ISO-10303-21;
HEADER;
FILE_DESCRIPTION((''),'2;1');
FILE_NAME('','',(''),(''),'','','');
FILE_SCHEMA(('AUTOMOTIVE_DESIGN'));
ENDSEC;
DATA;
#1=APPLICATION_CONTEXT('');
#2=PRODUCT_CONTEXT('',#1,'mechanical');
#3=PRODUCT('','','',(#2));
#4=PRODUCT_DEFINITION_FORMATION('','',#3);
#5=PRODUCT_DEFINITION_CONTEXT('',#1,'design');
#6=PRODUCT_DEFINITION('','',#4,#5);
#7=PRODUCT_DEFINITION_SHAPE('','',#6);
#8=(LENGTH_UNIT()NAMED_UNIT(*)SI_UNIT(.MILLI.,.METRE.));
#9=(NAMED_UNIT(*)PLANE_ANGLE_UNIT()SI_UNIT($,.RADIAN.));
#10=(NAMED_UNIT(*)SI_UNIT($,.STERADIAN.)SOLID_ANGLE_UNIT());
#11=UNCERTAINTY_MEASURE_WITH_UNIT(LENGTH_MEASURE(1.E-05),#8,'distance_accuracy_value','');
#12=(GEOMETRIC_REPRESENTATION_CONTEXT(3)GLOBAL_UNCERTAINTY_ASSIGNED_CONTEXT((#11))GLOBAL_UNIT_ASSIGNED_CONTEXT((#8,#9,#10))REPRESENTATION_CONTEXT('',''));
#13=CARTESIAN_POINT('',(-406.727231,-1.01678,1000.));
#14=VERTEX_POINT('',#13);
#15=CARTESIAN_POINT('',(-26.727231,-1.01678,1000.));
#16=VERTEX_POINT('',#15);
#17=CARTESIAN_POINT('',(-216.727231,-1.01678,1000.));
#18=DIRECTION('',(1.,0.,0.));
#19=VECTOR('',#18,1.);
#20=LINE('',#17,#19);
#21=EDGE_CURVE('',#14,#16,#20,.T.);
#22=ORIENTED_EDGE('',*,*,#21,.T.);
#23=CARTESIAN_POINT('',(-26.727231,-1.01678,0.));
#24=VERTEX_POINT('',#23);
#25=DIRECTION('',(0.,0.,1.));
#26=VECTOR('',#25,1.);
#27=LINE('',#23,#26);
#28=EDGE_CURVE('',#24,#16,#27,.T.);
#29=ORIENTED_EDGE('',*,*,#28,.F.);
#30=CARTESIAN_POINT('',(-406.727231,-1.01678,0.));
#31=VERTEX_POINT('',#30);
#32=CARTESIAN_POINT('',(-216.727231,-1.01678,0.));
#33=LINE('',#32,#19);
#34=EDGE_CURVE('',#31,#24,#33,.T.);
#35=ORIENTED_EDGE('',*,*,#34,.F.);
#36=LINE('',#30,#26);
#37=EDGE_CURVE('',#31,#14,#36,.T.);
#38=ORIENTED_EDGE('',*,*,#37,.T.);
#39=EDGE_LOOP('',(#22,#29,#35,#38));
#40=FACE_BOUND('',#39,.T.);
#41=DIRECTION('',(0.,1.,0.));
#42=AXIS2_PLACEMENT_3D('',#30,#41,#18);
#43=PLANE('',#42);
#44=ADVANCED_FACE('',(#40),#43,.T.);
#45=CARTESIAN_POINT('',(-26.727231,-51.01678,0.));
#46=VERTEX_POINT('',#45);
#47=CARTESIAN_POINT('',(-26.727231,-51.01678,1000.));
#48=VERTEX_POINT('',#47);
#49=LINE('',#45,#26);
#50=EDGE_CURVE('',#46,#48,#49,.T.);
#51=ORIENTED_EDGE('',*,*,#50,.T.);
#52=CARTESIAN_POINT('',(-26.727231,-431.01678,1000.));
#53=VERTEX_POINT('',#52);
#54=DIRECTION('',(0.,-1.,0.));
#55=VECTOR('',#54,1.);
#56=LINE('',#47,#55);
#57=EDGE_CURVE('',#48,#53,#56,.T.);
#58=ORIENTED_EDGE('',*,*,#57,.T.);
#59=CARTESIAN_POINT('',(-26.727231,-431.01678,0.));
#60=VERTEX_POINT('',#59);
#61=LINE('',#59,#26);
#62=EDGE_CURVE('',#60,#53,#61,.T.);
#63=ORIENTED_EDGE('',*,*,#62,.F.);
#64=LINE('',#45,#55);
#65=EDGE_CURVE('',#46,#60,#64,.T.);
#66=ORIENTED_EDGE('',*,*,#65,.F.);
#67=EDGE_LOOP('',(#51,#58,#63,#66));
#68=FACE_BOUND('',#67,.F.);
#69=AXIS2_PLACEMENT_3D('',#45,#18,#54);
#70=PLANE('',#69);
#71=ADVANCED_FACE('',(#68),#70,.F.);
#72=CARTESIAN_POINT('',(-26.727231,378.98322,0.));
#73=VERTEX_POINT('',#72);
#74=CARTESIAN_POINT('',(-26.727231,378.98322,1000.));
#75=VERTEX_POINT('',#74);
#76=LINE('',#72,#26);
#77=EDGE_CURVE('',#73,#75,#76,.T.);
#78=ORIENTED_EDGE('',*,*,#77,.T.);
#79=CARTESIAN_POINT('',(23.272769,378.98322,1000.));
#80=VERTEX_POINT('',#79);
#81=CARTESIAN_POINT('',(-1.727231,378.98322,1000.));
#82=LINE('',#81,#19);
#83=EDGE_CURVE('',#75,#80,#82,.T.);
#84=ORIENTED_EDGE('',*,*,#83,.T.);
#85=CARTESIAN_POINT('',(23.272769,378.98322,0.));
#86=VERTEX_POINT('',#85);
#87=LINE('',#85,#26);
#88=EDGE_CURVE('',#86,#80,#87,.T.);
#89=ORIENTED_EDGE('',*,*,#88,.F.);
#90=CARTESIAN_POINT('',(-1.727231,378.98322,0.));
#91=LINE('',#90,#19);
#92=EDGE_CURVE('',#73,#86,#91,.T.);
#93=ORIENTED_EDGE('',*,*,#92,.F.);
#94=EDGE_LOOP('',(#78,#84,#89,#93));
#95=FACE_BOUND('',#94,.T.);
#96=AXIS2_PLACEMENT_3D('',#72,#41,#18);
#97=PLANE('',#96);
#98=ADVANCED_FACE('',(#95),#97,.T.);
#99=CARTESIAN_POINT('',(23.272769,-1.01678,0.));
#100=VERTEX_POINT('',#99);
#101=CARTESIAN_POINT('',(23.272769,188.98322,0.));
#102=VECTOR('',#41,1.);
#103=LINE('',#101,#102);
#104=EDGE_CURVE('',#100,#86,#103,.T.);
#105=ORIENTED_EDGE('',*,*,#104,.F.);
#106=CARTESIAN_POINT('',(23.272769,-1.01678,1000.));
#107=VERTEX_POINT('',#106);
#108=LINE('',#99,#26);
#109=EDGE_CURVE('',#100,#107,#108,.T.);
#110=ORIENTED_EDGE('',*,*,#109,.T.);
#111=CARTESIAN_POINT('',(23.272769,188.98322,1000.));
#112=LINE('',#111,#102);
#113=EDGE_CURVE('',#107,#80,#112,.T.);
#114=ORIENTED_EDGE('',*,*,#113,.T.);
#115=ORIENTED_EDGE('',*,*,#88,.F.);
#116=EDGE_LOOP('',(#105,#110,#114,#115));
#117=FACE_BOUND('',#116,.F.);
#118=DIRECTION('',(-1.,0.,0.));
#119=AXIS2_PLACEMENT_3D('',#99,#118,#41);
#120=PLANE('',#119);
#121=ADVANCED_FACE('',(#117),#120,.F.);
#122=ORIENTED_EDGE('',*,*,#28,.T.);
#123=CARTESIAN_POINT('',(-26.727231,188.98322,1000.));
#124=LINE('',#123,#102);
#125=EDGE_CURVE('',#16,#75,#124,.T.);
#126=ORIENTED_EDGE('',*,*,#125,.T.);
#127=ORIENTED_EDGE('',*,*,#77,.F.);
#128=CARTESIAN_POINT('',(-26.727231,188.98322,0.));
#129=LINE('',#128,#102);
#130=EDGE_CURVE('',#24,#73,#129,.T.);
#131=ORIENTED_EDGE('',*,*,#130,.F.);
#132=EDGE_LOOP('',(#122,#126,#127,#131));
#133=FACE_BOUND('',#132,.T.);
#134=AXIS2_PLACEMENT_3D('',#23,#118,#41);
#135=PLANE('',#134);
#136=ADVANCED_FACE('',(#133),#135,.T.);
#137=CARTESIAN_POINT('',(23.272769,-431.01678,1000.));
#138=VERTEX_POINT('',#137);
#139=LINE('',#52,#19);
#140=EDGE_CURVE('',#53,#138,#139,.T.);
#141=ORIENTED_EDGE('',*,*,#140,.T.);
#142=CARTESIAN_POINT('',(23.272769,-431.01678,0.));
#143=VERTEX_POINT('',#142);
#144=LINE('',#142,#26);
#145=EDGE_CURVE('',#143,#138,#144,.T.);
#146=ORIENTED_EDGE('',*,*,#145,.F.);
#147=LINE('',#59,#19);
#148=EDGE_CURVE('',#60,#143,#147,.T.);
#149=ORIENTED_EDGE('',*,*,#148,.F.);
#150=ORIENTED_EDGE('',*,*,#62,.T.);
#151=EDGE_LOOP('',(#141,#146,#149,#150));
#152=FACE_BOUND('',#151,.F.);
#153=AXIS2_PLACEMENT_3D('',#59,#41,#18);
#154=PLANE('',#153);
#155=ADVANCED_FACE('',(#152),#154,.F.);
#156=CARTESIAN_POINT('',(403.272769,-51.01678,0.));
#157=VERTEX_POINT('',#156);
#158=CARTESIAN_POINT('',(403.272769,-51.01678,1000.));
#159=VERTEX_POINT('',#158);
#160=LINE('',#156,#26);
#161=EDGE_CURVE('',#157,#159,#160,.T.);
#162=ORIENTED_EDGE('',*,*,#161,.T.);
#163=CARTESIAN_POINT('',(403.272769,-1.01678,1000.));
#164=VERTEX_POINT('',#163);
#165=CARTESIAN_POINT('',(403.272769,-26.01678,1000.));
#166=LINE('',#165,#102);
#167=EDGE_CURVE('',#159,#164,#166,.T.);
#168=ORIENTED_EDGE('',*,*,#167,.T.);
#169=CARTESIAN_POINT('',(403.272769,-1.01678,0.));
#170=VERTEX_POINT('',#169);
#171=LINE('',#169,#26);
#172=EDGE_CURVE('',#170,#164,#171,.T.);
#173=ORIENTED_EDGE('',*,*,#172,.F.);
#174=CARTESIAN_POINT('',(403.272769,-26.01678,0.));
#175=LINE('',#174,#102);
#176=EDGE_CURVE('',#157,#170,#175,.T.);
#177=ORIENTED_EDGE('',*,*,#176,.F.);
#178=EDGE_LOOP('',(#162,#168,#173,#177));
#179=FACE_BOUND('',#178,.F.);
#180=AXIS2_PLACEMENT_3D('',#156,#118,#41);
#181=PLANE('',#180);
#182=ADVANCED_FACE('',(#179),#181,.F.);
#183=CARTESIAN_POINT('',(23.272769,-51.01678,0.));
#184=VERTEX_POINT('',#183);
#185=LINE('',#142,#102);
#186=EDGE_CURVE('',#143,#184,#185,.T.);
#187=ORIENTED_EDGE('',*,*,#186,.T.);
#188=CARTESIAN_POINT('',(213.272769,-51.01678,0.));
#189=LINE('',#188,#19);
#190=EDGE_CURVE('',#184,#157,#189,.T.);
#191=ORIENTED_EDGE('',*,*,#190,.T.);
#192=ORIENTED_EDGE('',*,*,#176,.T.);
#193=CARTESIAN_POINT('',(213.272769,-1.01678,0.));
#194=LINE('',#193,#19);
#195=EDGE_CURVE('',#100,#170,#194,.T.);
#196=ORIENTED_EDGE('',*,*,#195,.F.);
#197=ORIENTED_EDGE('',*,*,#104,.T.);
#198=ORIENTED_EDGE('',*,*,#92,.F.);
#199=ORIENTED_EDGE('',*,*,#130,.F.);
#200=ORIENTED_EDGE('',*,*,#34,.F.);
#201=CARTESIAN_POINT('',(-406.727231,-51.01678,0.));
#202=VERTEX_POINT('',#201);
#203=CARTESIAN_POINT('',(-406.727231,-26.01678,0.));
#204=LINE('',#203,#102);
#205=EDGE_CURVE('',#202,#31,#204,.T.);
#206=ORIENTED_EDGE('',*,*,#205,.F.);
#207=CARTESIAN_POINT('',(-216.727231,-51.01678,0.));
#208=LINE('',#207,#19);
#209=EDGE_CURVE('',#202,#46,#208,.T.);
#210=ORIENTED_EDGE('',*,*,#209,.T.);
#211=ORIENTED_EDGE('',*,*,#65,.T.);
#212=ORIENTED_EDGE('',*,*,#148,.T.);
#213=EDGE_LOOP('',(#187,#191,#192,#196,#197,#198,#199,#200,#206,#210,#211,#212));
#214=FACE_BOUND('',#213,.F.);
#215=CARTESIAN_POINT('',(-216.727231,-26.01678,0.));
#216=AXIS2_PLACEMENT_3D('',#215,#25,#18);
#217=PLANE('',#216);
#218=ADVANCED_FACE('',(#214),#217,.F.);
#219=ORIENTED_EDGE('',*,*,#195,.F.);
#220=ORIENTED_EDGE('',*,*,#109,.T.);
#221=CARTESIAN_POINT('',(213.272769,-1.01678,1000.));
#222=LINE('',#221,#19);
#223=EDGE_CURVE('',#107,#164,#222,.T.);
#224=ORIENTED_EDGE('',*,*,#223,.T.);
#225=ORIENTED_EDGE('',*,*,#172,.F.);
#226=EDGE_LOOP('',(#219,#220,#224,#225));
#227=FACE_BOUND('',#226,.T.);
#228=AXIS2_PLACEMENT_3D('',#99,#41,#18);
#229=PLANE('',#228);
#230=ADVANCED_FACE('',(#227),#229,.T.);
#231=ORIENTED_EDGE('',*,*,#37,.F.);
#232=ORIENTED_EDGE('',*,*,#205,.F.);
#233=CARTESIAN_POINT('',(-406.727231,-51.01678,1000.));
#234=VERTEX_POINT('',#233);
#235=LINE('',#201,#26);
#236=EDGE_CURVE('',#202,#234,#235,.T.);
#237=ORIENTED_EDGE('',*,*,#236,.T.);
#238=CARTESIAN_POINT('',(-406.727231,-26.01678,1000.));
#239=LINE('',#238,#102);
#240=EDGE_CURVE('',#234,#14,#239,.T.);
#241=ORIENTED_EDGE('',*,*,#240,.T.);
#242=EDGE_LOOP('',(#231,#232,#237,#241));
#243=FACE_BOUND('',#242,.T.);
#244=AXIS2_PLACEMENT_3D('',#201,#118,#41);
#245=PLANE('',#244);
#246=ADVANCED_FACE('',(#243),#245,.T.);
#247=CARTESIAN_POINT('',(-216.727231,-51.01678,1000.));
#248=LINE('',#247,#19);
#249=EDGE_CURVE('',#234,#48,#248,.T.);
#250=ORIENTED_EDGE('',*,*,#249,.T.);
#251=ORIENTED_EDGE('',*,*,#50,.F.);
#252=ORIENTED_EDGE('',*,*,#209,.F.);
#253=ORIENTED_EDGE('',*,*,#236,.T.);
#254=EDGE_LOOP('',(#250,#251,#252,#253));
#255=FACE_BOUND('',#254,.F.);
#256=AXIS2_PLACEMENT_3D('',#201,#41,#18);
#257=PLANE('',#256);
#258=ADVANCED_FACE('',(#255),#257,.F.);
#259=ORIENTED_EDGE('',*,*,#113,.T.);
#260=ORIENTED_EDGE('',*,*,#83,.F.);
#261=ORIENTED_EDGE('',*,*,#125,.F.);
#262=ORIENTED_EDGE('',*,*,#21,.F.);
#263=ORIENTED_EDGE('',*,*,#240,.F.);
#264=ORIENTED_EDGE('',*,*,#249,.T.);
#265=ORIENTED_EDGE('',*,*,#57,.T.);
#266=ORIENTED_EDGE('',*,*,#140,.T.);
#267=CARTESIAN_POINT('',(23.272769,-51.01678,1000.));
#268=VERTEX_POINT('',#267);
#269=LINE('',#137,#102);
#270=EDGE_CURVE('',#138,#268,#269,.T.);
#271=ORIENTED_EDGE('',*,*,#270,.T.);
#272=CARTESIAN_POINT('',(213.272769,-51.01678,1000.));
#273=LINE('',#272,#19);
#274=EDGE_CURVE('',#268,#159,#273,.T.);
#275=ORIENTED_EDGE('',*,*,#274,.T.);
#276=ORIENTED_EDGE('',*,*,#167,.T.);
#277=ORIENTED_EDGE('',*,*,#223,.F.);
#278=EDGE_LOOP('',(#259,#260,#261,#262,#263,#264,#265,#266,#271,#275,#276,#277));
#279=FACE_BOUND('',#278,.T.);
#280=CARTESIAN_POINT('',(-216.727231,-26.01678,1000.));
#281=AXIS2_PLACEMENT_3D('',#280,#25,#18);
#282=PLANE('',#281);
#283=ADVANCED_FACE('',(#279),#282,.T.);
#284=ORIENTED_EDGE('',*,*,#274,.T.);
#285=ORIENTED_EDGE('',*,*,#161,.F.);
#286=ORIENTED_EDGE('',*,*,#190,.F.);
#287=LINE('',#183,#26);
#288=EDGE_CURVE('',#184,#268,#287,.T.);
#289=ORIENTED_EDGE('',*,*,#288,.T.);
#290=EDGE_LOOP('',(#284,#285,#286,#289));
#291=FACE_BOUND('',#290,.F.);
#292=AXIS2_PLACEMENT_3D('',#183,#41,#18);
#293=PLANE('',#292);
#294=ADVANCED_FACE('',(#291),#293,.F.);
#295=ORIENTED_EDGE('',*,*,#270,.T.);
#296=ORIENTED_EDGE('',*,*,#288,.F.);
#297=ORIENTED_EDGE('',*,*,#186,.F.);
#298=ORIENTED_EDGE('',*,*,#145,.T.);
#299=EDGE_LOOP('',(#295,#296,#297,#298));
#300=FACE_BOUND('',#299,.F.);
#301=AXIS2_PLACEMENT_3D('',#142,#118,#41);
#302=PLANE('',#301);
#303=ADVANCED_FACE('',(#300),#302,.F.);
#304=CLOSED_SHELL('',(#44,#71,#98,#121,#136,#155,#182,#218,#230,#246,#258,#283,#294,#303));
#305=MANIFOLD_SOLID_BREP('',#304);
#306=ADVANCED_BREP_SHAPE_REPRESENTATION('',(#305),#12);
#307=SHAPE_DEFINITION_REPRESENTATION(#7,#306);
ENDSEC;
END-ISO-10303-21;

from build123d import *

# Parameters (mm, degrees)
F0_W     = 380
F0_H     = 50
F0_W_2   = 50
F0_H_2   = 380
F1_DEPTH = 1000


with BuildPart() as f1:
    # F0 (on Top) → F1 (new body)
    with BuildSketch(Plane.XY):
        with Locations((-216.727231, -26.01678)):
            Rectangle(F0_W, F0_H)
        with Locations((213.272769, -26.01678)):
            Rectangle(F0_W, F0_H)
        with Locations((-1.727231, 188.98322)):
            Rectangle(F0_W_2, F0_H_2)
        Polygon((0, -51.01678), (-26.727231, -51.01678), (-26.727231, -431.01678), (23.272769, -431.01678), (23.272769, -51.01678), align=None)
        Polygon((23.272769, -1.01678), (-26.727231, -1.01678), (-26.727231, -51.01678), (0, -51.01678), (23.272769, -51.01678), align=None)
    extrude(amount=F1_DEPTH)


solid = f1.part
